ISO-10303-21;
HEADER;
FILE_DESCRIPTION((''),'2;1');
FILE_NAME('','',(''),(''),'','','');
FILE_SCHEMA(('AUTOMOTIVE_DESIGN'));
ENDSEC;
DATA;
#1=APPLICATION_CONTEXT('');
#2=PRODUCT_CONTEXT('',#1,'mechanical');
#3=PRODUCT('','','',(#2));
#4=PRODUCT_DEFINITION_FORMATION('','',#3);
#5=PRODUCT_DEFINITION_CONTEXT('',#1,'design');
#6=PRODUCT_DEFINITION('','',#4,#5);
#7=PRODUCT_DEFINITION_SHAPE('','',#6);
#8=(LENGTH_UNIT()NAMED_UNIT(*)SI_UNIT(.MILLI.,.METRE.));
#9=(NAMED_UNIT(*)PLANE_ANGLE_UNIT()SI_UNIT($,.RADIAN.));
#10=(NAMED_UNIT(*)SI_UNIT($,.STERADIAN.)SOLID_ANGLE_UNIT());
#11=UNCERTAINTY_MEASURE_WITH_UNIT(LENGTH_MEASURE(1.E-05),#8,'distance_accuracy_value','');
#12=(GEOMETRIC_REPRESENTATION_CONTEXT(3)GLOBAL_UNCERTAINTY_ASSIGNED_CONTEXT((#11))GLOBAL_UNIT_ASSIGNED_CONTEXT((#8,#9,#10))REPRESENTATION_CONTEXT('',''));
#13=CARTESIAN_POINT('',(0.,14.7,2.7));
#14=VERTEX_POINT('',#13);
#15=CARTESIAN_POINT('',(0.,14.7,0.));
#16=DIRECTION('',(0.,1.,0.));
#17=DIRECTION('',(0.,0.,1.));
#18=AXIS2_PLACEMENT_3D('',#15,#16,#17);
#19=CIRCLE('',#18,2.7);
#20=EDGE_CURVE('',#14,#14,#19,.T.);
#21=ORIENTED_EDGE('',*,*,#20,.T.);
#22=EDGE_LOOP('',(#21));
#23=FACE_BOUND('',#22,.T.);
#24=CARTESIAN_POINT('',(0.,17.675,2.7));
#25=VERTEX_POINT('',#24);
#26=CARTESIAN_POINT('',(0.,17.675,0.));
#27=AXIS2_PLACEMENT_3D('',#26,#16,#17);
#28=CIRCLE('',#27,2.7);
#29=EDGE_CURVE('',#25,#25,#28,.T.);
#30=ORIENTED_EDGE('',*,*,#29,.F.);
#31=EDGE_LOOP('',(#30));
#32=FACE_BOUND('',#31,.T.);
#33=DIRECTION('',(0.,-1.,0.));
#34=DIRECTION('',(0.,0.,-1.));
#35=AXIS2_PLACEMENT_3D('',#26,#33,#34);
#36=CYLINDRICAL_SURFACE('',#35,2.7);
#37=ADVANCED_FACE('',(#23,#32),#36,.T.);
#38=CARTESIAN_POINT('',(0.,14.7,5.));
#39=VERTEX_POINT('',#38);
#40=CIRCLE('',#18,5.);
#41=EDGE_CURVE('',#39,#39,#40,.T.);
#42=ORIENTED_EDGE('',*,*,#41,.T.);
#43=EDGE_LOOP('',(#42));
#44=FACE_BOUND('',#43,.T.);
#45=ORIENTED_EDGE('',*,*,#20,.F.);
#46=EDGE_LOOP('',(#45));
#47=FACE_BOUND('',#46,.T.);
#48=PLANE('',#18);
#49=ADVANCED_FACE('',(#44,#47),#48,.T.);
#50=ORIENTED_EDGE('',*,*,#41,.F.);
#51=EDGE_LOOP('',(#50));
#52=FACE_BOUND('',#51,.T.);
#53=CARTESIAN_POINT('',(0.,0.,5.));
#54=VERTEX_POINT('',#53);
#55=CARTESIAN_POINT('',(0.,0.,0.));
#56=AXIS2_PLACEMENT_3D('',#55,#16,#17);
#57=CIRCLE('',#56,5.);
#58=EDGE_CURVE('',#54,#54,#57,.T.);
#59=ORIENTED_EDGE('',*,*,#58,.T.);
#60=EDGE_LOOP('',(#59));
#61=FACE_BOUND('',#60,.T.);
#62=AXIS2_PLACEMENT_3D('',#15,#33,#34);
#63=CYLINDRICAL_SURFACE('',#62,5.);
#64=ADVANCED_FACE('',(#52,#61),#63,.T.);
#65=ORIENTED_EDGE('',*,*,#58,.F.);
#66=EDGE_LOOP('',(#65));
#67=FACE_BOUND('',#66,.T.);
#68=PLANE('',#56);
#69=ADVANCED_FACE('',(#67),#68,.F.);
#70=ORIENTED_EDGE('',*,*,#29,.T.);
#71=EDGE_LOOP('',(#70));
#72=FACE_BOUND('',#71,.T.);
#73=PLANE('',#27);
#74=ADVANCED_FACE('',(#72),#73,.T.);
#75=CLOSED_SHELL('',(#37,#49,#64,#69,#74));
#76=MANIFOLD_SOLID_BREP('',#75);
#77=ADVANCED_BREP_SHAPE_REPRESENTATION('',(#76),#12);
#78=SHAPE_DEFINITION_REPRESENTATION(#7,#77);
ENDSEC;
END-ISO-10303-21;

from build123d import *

# Parameters (mm, degrees)
SKETCH1_R           = 5
SKETCH1_R_2         = 2.7
BOSS_EXTRUDE1_DEPTH = 14.7
SKETCH1_2_R         = 2.7
BOSS_EXTRUDE2_DEPTH = 17.675


with BuildPart() as part:
    # Sketch1 → Boss-Extrude1 (new body)
    with BuildSketch(Plane(origin=(0, 0, 0), x_dir=(1, 0, 0), z_dir=(0, 1, 0))):
        Circle(SKETCH1_R)
        Circle(SKETCH1_R_2, mode=Mode.SUBTRACT)
    extrude(amount=BOSS_EXTRUDE1_DEPTH)

    # Sketch1<2> → Boss-Extrude2 (add)
    with BuildSketch(Plane(origin=(0, 0, 0), x_dir=(1, 0, 0), z_dir=(0, 1, 0))):
        Circle(SKETCH1_2_R)
    extrude(amount=BOSS_EXTRUDE2_DEPTH)


solid = part.part
